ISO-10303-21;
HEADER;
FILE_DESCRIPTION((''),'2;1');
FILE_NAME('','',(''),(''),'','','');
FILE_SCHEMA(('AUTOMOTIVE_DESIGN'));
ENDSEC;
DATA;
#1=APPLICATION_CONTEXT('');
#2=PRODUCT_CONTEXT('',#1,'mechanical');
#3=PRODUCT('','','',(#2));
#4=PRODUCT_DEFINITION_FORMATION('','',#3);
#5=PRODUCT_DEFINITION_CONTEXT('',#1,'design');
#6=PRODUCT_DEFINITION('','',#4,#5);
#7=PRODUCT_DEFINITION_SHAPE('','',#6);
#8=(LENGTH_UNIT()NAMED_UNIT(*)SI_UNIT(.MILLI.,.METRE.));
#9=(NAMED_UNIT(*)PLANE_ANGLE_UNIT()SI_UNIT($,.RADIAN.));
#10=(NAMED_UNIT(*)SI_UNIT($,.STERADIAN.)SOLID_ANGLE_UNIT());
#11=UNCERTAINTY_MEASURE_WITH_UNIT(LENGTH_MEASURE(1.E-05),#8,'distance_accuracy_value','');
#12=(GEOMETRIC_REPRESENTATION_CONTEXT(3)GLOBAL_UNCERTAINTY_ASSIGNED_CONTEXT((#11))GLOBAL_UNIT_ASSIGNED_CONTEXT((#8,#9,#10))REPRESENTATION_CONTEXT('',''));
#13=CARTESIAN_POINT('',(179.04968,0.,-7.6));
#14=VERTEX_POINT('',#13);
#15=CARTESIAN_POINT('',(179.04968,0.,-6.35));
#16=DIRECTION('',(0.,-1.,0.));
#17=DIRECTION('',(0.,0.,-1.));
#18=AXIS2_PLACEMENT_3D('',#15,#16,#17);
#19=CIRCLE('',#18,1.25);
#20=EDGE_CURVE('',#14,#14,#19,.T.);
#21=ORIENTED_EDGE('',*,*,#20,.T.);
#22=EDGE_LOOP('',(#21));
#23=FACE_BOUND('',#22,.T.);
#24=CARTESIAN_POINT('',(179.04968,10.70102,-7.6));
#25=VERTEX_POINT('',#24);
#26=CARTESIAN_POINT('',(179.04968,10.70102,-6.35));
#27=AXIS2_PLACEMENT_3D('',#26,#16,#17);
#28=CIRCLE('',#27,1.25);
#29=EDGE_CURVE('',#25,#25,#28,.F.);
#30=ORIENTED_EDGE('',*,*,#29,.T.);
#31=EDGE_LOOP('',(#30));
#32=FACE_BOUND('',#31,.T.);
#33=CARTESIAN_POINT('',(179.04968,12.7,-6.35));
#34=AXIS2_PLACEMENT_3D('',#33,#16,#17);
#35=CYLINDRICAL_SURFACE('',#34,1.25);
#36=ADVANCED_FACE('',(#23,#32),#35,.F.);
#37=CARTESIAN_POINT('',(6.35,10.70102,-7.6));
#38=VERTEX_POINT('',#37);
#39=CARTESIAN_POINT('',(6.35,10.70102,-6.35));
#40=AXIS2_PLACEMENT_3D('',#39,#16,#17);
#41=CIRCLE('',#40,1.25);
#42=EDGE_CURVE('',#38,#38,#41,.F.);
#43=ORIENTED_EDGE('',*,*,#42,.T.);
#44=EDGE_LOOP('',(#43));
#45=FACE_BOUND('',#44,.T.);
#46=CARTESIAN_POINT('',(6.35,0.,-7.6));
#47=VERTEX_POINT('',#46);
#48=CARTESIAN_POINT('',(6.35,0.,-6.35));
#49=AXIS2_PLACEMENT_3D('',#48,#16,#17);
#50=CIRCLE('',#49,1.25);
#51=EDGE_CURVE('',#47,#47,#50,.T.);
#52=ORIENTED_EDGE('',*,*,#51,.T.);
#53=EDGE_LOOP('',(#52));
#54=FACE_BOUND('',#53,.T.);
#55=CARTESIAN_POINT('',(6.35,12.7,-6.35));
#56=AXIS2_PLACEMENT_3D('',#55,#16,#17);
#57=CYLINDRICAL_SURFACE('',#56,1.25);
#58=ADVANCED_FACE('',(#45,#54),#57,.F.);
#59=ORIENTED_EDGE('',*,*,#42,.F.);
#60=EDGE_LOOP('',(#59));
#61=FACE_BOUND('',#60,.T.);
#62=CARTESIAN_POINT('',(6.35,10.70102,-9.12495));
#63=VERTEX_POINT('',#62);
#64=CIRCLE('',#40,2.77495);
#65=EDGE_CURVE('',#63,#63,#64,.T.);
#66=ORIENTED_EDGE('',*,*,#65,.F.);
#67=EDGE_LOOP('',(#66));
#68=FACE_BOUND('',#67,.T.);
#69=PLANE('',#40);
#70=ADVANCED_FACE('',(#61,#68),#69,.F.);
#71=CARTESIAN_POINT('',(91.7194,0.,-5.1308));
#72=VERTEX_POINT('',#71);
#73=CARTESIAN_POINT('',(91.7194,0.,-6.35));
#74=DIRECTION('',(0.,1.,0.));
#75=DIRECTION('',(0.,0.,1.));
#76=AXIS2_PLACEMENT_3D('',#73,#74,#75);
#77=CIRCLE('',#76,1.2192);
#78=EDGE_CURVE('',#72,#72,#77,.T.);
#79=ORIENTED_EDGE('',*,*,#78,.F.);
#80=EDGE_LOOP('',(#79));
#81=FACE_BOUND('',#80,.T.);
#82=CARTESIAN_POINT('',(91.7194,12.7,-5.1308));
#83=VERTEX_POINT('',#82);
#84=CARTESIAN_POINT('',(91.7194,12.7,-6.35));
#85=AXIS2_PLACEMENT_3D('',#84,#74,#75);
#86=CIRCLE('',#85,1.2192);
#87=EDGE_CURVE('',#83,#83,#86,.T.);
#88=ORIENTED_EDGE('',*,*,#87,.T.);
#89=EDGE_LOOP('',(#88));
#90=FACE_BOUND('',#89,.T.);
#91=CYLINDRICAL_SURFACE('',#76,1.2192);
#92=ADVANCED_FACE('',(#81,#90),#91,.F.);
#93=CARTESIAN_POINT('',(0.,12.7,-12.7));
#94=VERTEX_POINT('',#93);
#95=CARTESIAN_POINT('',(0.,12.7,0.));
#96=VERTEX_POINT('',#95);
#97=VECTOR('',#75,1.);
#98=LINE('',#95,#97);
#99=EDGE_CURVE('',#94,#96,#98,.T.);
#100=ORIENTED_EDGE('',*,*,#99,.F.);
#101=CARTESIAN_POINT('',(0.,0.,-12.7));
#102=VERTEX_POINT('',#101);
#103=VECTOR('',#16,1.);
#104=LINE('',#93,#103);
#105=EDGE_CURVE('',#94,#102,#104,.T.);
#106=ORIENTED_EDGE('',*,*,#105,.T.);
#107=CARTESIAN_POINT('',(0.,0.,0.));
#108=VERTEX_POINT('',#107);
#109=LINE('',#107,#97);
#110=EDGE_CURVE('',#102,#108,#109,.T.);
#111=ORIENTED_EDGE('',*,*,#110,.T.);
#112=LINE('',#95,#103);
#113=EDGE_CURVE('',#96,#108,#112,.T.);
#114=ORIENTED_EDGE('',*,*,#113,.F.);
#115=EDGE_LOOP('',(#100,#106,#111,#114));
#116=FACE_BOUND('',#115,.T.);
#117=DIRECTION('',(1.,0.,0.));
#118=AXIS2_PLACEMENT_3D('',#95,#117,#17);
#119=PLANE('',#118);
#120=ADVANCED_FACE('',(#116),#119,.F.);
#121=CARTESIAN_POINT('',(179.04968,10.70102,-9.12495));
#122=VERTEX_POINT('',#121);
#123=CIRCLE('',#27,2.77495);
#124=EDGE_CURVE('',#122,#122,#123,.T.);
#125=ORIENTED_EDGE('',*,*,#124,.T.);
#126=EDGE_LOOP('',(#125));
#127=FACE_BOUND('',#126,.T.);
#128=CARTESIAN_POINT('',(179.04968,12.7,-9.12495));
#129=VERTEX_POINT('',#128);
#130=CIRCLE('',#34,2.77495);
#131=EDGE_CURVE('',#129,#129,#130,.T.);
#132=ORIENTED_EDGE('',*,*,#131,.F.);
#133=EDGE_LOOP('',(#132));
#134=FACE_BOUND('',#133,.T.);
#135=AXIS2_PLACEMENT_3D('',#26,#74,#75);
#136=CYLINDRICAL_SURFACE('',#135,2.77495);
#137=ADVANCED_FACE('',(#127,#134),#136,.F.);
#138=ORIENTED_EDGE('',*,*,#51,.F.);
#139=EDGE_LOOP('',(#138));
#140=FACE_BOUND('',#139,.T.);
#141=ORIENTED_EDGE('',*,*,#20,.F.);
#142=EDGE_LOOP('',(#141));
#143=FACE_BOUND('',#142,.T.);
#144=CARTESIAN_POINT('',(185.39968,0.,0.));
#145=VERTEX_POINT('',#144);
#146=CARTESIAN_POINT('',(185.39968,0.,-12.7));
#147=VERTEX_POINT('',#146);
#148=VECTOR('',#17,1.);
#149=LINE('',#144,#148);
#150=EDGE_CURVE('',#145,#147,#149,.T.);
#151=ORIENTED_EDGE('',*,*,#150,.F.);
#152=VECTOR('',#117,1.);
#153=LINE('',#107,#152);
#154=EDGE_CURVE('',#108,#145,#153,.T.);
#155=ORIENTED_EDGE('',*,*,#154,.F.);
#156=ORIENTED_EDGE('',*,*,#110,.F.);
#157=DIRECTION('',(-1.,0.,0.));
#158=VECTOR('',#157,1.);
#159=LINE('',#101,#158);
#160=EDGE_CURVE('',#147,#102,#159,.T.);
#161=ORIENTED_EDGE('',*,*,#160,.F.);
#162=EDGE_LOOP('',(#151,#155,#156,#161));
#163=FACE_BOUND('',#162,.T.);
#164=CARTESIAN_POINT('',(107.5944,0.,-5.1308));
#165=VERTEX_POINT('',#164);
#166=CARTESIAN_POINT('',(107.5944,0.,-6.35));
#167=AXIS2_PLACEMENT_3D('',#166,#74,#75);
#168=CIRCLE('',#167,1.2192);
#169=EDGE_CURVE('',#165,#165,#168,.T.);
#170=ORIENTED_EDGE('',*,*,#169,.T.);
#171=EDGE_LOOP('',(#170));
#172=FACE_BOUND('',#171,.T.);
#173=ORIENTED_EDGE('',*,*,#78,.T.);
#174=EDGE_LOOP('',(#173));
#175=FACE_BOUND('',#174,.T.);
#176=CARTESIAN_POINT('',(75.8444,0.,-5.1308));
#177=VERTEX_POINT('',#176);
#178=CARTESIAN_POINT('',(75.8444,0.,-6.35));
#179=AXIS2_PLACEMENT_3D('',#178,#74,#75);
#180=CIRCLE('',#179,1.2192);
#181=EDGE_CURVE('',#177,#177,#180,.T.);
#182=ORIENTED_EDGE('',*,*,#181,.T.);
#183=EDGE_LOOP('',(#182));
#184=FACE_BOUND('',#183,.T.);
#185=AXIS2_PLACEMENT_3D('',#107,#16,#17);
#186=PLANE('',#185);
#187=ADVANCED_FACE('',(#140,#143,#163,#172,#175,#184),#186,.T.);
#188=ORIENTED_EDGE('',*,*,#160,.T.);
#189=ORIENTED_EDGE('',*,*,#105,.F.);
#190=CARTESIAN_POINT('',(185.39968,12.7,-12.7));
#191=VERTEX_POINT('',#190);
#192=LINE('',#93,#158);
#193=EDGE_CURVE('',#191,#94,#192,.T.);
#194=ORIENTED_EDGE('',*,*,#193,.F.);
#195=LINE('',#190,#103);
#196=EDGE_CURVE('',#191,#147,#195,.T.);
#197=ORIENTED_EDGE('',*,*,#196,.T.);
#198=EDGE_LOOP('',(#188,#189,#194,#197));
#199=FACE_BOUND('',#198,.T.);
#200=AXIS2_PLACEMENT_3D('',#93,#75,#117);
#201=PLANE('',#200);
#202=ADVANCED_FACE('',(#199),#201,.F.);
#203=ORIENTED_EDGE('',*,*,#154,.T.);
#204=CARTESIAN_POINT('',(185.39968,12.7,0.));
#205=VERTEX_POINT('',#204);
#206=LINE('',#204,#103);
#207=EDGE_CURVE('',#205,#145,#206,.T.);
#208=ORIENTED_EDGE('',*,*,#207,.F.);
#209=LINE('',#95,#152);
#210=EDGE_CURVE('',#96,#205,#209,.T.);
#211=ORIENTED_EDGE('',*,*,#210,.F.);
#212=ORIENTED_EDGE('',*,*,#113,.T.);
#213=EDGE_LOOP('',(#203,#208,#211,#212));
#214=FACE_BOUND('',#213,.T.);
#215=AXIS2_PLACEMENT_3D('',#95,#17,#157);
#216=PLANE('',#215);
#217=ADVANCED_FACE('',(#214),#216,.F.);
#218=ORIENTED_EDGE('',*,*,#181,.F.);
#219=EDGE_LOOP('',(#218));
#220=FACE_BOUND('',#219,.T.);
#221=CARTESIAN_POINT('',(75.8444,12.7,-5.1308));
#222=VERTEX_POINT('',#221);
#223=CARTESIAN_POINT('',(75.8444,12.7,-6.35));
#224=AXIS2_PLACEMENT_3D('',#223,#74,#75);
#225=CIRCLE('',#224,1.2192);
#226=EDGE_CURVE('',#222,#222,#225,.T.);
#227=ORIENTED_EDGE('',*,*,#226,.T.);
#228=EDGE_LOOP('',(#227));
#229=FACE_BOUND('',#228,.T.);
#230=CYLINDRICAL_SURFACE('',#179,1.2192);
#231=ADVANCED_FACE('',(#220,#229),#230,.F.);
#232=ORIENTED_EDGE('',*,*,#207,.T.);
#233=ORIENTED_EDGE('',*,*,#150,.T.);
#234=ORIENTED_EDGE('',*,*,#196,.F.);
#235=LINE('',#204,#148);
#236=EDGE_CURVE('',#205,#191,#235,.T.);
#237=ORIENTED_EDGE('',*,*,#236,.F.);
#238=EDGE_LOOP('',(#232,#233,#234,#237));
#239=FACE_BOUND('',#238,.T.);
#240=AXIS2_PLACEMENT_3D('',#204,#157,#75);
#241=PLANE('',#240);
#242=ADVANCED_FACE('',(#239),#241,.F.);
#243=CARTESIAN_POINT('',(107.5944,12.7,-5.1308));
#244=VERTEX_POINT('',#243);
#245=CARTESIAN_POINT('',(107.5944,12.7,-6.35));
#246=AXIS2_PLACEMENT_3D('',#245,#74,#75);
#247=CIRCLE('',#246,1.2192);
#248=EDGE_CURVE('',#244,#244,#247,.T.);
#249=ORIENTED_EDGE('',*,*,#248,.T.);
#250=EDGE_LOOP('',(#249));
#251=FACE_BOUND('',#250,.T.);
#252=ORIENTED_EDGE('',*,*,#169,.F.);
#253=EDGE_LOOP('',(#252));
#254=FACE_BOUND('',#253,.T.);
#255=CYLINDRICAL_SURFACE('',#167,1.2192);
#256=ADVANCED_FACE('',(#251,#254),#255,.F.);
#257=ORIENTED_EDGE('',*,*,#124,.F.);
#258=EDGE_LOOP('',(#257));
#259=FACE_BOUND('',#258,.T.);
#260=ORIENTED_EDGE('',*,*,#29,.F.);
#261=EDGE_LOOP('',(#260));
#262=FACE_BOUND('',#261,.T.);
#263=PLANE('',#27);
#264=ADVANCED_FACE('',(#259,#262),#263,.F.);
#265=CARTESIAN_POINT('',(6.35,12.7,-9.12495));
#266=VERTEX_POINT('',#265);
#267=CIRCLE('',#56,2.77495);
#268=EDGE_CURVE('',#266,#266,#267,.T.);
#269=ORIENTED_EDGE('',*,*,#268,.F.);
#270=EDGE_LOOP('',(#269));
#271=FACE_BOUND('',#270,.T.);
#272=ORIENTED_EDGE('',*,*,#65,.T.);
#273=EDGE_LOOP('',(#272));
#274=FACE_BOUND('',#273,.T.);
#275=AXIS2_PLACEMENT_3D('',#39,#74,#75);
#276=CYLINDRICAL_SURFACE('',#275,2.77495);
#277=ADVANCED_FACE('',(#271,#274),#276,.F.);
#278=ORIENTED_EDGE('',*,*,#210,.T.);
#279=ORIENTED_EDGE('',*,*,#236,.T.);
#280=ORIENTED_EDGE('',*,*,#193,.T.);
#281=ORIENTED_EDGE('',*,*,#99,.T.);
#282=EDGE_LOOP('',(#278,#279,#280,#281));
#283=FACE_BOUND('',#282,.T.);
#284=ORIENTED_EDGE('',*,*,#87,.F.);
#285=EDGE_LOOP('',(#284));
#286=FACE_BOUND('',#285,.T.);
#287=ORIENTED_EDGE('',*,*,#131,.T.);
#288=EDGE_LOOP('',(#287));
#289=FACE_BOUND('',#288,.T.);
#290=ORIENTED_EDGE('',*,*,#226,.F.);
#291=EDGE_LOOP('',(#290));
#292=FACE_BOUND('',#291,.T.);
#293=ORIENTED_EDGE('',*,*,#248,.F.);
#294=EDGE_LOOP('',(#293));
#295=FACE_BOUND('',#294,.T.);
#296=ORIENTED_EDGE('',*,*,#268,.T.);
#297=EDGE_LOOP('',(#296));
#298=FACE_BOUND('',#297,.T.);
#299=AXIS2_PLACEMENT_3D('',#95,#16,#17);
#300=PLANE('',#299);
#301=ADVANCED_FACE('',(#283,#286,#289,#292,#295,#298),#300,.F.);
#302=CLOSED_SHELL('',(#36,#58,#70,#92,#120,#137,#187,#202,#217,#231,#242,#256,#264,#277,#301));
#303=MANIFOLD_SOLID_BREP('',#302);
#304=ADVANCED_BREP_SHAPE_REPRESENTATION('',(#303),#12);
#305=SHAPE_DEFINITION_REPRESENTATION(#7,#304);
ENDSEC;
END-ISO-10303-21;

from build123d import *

# Parameters (mm, degrees)
SKETCH1_W           = 185.39968
SKETCH1_H           = 12.7
BOSS_EXTRUDE1_DEPTH = 12.7
SKETCH4_R           = 1.25
CUT_EXTRUDE3_DEPTH  = 187.267606803
SKETCH5_R           = 2.77495
CUT_EXTRUDE4_DEPTH  = 1.99898
SKETCH6_R           = 1.2192
CUT_EXTRUDE5_DEPTH  = 187.267606803


with BuildPart() as part:
    # Sketch1 → Boss-Extrude1 (new body)
    with BuildSketch(Plane(origin=(0, 0, 0), x_dir=(1, 0, 0), z_dir=(0, 1, 0))):
        with Locations((92.69984, 6.35)):
            Rectangle(SKETCH1_W, SKETCH1_H)
    extrude(amount=BOSS_EXTRUDE1_DEPTH)

    # Sketch4 → Cut-Extrude3 (cut, through all)
    with BuildSketch(Plane.XZ):
        with Locations(Location((179.04968, -6.35, 0), (0, 0, 270))):
            Circle(SKETCH4_R)
        with Locations(Location((6.35, -6.35, 0), (0, 0, 270))):
            Circle(SKETCH4_R)
    extrude(amount=-CUT_EXTRUDE3_DEPTH, mode=Mode.SUBTRACT)

    # Sketch5 → Cut-Extrude4 (cut)
    with BuildSketch(Plane.XZ.offset(-12.7)):
        with Locations(Location((179.04968, -6.35, 0), (0, 0, 270))):
            Circle(SKETCH5_R)
        with Locations(Location((6.35, -6.35, 0), (0, 0, 270))):
            Circle(SKETCH5_R)
    extrude(amount=CUT_EXTRUDE4_DEPTH, mode=Mode.SUBTRACT)

    # Sketch6 → Cut-Extrude5 (cut, through all)
    with BuildSketch(Plane(origin=(0, 12.7, 0), x_dir=(1, 0, 0), z_dir=(0, 1, 0))):
        with Locations(Location((91.7194, 6.35, 0), (0, 0, 270))):
            Circle(SKETCH6_R)
        with Locations(Location((107.5944, 6.35, 0), (0, 0, 270))):
            Circle(SKETCH6_R)
        with Locations(Location((75.8444, 6.35, 0), (0, 0, 270))):
            Circle(SKETCH6_R)
    extrude(amount=-CUT_EXTRUDE5_DEPTH, mode=Mode.SUBTRACT)


solid = part.part
